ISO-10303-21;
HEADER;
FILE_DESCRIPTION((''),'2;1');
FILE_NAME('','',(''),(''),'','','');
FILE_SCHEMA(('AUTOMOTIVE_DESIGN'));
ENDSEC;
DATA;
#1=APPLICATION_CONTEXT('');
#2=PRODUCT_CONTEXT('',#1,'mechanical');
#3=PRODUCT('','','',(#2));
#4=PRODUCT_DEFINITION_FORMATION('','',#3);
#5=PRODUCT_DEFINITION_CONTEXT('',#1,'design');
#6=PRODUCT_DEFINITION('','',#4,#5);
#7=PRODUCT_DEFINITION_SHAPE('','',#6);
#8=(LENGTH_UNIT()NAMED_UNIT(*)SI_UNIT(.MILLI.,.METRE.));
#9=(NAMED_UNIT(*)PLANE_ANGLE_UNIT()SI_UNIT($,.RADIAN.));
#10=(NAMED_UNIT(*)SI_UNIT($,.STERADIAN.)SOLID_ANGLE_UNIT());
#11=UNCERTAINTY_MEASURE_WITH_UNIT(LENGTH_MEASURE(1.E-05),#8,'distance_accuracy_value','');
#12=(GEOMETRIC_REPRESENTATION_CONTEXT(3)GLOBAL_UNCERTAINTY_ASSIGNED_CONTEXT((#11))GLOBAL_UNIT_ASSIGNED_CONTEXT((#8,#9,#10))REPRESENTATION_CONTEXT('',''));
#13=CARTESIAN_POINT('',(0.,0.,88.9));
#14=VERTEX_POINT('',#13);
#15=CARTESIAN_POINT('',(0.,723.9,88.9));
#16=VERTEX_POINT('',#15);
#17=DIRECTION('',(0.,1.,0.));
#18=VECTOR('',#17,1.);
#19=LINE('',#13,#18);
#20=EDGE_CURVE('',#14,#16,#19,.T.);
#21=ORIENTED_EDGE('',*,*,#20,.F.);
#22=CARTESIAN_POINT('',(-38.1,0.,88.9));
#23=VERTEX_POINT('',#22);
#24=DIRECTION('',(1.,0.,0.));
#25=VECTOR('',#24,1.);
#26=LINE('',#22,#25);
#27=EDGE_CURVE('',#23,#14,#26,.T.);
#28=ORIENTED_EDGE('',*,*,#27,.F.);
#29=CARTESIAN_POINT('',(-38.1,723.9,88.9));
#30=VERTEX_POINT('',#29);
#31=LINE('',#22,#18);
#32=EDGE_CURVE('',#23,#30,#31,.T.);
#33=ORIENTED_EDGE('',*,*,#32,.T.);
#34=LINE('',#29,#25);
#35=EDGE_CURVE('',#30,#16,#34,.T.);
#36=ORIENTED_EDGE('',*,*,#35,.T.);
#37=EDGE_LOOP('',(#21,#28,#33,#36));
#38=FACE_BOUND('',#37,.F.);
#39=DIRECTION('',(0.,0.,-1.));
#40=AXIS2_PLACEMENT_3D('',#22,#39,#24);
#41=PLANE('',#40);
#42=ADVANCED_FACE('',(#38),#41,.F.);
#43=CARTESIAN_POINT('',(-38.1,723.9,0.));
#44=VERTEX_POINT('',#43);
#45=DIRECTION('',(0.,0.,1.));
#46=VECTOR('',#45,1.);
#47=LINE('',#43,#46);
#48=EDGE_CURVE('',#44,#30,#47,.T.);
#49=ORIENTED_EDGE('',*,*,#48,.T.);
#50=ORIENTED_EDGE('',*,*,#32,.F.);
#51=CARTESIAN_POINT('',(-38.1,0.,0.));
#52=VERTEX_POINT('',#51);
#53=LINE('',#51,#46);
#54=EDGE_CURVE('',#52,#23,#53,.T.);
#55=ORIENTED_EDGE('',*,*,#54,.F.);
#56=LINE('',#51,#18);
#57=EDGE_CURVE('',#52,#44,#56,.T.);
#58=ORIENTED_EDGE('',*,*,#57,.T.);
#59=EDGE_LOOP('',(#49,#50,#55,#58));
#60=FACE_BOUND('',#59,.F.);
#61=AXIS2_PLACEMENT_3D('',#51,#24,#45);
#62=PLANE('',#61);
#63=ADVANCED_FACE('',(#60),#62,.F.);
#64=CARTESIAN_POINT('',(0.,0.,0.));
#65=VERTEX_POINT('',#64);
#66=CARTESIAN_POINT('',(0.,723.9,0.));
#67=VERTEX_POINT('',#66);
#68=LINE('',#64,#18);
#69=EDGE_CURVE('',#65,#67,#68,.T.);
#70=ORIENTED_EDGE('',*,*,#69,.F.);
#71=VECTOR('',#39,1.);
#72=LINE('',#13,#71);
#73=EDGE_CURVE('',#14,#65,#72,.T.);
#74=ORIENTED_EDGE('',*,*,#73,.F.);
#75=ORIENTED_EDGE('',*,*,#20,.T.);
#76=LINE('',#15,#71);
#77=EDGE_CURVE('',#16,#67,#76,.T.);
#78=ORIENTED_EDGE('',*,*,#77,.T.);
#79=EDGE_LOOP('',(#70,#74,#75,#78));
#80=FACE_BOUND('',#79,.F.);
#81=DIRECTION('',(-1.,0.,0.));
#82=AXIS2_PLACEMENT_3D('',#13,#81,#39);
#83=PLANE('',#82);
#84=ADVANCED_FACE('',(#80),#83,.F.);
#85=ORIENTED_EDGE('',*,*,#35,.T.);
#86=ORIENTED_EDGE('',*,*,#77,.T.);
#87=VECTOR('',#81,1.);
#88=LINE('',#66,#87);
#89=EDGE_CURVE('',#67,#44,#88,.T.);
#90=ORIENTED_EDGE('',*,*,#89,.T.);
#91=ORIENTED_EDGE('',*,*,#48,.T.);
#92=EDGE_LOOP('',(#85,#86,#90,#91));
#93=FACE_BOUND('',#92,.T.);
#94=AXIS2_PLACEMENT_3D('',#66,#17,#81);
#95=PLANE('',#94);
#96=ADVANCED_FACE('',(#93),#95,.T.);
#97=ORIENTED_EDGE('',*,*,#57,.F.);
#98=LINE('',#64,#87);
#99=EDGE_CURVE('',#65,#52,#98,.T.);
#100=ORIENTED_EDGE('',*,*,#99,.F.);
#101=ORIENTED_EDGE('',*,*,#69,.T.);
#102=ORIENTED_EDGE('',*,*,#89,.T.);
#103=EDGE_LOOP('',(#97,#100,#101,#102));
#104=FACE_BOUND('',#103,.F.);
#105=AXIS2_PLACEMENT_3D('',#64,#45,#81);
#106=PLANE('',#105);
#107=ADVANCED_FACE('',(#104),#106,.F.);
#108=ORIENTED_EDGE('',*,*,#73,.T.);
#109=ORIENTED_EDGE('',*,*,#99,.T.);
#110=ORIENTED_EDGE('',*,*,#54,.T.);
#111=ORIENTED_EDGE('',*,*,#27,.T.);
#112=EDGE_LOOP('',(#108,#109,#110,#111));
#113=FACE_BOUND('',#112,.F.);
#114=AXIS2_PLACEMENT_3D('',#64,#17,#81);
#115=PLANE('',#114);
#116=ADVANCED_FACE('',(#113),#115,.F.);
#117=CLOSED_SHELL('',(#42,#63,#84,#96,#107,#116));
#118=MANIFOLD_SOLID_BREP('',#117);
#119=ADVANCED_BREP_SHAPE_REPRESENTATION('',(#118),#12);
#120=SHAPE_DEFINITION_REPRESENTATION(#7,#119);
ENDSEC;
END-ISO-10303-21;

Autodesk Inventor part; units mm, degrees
ref_plane "YZ Plane" through (0, 0, 0) normal (1, 0, 0) x (0, 1, 0)
ref_plane "XZ Plane" through (0, 0, 0) normal (0, 1, 0) x (-1, 0, 0)
ref_plane "XY Plane" through (0, 0, 0) normal (0, 0, 1) x (1, 0, 0)
sketch "Sketch1" plane through (0, 0, 0) normal (0, 1, 0) x (-1, 0, 0)
  line L0 (0, 0) -> (38.1, 0)
  line L1 (38.1, 0) -> (38.1, 88.9)
  line L2 (38.1, 88.9) -> (0, 88.9)
  line L3 (0, 88.9) -> (0, 0)
  dimension "d0" = 38.1
  dimension "d1" = 88.9
extrude "Extrusion1" add sketch "Sketch1" along normal blind 723.9
properties part number "Pillar, Back" material "Wood"
